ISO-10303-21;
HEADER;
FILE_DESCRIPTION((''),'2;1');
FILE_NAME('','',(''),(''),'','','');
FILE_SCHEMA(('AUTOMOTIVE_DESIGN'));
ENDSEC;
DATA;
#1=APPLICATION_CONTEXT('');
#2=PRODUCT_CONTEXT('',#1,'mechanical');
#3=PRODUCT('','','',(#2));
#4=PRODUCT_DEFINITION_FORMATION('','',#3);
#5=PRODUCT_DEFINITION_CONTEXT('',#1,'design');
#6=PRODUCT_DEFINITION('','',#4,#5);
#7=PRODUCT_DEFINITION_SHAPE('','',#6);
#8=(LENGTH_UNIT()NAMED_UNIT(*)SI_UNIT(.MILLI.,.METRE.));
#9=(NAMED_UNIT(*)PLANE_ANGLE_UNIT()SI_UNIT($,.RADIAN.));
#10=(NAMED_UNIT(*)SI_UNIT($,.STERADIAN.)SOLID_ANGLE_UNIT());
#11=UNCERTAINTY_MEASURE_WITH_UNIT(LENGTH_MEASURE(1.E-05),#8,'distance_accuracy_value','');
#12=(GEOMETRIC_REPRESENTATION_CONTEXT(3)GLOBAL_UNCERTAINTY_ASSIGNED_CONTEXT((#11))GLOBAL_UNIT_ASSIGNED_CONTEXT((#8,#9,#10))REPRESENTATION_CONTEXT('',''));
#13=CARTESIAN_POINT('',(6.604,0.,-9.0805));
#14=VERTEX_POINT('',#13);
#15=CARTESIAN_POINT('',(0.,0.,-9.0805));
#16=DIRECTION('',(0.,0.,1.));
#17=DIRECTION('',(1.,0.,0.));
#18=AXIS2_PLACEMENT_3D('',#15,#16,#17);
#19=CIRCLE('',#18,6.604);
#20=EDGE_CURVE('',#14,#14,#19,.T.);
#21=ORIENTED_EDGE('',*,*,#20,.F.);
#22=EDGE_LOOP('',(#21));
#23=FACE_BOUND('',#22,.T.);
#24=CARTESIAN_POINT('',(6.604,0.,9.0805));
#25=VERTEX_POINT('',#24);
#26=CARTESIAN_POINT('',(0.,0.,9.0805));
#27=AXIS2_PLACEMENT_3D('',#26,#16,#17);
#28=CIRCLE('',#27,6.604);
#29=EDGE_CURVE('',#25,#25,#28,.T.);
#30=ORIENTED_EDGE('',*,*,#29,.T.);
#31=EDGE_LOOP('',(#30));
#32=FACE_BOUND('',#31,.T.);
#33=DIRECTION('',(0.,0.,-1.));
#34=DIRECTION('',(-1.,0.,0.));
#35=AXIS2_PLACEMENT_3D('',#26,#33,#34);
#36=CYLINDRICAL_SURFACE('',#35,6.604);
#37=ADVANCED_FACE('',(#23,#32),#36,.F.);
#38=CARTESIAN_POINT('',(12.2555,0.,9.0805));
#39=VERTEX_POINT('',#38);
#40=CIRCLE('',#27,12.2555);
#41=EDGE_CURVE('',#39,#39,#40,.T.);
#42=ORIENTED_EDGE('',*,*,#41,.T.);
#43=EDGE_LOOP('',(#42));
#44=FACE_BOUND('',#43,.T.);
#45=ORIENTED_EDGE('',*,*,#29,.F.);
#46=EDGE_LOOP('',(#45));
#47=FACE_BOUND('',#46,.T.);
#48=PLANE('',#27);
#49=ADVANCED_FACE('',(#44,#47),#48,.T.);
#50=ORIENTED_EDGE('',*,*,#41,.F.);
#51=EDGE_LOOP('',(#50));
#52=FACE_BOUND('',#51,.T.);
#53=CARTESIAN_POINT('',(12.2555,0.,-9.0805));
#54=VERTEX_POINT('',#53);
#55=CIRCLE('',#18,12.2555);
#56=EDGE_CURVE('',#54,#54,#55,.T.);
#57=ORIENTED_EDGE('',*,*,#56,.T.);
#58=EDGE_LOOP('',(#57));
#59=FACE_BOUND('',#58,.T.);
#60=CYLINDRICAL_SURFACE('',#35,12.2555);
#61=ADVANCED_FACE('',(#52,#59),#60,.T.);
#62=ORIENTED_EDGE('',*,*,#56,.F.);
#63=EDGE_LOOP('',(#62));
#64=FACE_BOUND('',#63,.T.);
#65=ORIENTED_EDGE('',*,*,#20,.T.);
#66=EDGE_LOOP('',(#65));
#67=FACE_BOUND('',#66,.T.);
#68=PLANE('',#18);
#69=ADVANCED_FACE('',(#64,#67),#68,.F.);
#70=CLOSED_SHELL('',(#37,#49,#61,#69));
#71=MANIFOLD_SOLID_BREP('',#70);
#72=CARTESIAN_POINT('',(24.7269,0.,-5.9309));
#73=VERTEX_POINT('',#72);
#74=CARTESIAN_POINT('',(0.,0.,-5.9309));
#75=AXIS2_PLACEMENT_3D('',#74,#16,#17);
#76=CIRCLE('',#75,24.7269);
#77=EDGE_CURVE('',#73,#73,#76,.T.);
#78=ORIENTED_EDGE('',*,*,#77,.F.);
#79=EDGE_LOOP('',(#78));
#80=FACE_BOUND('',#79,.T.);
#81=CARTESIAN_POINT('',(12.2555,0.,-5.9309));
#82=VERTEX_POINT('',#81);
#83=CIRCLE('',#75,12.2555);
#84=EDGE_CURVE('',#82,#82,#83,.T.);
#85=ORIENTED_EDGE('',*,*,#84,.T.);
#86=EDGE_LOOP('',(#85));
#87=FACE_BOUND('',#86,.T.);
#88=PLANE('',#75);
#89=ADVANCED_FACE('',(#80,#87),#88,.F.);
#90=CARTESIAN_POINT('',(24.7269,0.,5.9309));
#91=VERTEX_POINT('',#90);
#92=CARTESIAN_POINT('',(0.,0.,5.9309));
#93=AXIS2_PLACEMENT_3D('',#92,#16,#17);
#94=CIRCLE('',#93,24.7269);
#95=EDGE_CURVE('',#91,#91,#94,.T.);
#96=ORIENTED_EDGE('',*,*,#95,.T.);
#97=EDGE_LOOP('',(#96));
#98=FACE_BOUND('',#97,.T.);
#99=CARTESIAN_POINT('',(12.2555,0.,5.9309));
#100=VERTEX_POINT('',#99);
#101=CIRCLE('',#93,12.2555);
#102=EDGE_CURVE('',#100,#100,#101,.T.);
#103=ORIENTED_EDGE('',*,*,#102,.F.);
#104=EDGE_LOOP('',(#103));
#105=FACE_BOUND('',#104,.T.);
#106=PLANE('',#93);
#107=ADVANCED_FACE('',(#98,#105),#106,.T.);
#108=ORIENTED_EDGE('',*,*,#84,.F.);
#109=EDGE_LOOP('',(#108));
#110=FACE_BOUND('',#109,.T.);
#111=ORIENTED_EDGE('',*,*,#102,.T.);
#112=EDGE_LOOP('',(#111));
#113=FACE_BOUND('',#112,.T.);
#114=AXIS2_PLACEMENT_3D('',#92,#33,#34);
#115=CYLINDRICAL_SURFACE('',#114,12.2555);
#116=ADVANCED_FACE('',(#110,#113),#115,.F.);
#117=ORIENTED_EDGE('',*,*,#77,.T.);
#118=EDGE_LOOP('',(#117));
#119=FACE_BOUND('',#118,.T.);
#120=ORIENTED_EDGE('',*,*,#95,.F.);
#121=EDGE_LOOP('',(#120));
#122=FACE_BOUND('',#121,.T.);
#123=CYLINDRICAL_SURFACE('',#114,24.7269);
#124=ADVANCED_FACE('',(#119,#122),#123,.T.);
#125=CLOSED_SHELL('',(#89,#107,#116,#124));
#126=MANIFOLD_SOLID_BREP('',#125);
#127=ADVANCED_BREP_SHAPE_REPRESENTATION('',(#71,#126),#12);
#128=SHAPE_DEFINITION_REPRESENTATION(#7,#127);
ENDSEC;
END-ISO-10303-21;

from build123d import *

# Parameters (mm, degrees)
SKETCH1_R           = 24.7269
SKETCH1_R_2         = 12.2555
BOSS_EXTRUDE1_DEPTH = 5.9309
SKETCH1_3_R         = 12.2555
SKETCH1_3_R_2       = 6.604
BOSS_EXTRUDE2_DEPTH = 9.0805


with BuildPart() as part:
    # Sketch1 → Boss-Extrude1 (new, symmetric)
    with BuildSketch(Plane.XY):
        Circle(SKETCH1_R)
        Circle(SKETCH1_R_2, mode=Mode.SUBTRACT)
    extrude(amount=BOSS_EXTRUDE1_DEPTH, both=True)


with BuildPart() as body_2:
    # Sketch1<3> → Boss-Extrude2 (new, symmetric)
    with BuildSketch(Plane.XY):
        Circle(SKETCH1_3_R)
        Circle(SKETCH1_3_R_2, mode=Mode.SUBTRACT)
    extrude(amount=BOSS_EXTRUDE2_DEPTH, both=True)


solid = Compound([part.part, body_2.part])
